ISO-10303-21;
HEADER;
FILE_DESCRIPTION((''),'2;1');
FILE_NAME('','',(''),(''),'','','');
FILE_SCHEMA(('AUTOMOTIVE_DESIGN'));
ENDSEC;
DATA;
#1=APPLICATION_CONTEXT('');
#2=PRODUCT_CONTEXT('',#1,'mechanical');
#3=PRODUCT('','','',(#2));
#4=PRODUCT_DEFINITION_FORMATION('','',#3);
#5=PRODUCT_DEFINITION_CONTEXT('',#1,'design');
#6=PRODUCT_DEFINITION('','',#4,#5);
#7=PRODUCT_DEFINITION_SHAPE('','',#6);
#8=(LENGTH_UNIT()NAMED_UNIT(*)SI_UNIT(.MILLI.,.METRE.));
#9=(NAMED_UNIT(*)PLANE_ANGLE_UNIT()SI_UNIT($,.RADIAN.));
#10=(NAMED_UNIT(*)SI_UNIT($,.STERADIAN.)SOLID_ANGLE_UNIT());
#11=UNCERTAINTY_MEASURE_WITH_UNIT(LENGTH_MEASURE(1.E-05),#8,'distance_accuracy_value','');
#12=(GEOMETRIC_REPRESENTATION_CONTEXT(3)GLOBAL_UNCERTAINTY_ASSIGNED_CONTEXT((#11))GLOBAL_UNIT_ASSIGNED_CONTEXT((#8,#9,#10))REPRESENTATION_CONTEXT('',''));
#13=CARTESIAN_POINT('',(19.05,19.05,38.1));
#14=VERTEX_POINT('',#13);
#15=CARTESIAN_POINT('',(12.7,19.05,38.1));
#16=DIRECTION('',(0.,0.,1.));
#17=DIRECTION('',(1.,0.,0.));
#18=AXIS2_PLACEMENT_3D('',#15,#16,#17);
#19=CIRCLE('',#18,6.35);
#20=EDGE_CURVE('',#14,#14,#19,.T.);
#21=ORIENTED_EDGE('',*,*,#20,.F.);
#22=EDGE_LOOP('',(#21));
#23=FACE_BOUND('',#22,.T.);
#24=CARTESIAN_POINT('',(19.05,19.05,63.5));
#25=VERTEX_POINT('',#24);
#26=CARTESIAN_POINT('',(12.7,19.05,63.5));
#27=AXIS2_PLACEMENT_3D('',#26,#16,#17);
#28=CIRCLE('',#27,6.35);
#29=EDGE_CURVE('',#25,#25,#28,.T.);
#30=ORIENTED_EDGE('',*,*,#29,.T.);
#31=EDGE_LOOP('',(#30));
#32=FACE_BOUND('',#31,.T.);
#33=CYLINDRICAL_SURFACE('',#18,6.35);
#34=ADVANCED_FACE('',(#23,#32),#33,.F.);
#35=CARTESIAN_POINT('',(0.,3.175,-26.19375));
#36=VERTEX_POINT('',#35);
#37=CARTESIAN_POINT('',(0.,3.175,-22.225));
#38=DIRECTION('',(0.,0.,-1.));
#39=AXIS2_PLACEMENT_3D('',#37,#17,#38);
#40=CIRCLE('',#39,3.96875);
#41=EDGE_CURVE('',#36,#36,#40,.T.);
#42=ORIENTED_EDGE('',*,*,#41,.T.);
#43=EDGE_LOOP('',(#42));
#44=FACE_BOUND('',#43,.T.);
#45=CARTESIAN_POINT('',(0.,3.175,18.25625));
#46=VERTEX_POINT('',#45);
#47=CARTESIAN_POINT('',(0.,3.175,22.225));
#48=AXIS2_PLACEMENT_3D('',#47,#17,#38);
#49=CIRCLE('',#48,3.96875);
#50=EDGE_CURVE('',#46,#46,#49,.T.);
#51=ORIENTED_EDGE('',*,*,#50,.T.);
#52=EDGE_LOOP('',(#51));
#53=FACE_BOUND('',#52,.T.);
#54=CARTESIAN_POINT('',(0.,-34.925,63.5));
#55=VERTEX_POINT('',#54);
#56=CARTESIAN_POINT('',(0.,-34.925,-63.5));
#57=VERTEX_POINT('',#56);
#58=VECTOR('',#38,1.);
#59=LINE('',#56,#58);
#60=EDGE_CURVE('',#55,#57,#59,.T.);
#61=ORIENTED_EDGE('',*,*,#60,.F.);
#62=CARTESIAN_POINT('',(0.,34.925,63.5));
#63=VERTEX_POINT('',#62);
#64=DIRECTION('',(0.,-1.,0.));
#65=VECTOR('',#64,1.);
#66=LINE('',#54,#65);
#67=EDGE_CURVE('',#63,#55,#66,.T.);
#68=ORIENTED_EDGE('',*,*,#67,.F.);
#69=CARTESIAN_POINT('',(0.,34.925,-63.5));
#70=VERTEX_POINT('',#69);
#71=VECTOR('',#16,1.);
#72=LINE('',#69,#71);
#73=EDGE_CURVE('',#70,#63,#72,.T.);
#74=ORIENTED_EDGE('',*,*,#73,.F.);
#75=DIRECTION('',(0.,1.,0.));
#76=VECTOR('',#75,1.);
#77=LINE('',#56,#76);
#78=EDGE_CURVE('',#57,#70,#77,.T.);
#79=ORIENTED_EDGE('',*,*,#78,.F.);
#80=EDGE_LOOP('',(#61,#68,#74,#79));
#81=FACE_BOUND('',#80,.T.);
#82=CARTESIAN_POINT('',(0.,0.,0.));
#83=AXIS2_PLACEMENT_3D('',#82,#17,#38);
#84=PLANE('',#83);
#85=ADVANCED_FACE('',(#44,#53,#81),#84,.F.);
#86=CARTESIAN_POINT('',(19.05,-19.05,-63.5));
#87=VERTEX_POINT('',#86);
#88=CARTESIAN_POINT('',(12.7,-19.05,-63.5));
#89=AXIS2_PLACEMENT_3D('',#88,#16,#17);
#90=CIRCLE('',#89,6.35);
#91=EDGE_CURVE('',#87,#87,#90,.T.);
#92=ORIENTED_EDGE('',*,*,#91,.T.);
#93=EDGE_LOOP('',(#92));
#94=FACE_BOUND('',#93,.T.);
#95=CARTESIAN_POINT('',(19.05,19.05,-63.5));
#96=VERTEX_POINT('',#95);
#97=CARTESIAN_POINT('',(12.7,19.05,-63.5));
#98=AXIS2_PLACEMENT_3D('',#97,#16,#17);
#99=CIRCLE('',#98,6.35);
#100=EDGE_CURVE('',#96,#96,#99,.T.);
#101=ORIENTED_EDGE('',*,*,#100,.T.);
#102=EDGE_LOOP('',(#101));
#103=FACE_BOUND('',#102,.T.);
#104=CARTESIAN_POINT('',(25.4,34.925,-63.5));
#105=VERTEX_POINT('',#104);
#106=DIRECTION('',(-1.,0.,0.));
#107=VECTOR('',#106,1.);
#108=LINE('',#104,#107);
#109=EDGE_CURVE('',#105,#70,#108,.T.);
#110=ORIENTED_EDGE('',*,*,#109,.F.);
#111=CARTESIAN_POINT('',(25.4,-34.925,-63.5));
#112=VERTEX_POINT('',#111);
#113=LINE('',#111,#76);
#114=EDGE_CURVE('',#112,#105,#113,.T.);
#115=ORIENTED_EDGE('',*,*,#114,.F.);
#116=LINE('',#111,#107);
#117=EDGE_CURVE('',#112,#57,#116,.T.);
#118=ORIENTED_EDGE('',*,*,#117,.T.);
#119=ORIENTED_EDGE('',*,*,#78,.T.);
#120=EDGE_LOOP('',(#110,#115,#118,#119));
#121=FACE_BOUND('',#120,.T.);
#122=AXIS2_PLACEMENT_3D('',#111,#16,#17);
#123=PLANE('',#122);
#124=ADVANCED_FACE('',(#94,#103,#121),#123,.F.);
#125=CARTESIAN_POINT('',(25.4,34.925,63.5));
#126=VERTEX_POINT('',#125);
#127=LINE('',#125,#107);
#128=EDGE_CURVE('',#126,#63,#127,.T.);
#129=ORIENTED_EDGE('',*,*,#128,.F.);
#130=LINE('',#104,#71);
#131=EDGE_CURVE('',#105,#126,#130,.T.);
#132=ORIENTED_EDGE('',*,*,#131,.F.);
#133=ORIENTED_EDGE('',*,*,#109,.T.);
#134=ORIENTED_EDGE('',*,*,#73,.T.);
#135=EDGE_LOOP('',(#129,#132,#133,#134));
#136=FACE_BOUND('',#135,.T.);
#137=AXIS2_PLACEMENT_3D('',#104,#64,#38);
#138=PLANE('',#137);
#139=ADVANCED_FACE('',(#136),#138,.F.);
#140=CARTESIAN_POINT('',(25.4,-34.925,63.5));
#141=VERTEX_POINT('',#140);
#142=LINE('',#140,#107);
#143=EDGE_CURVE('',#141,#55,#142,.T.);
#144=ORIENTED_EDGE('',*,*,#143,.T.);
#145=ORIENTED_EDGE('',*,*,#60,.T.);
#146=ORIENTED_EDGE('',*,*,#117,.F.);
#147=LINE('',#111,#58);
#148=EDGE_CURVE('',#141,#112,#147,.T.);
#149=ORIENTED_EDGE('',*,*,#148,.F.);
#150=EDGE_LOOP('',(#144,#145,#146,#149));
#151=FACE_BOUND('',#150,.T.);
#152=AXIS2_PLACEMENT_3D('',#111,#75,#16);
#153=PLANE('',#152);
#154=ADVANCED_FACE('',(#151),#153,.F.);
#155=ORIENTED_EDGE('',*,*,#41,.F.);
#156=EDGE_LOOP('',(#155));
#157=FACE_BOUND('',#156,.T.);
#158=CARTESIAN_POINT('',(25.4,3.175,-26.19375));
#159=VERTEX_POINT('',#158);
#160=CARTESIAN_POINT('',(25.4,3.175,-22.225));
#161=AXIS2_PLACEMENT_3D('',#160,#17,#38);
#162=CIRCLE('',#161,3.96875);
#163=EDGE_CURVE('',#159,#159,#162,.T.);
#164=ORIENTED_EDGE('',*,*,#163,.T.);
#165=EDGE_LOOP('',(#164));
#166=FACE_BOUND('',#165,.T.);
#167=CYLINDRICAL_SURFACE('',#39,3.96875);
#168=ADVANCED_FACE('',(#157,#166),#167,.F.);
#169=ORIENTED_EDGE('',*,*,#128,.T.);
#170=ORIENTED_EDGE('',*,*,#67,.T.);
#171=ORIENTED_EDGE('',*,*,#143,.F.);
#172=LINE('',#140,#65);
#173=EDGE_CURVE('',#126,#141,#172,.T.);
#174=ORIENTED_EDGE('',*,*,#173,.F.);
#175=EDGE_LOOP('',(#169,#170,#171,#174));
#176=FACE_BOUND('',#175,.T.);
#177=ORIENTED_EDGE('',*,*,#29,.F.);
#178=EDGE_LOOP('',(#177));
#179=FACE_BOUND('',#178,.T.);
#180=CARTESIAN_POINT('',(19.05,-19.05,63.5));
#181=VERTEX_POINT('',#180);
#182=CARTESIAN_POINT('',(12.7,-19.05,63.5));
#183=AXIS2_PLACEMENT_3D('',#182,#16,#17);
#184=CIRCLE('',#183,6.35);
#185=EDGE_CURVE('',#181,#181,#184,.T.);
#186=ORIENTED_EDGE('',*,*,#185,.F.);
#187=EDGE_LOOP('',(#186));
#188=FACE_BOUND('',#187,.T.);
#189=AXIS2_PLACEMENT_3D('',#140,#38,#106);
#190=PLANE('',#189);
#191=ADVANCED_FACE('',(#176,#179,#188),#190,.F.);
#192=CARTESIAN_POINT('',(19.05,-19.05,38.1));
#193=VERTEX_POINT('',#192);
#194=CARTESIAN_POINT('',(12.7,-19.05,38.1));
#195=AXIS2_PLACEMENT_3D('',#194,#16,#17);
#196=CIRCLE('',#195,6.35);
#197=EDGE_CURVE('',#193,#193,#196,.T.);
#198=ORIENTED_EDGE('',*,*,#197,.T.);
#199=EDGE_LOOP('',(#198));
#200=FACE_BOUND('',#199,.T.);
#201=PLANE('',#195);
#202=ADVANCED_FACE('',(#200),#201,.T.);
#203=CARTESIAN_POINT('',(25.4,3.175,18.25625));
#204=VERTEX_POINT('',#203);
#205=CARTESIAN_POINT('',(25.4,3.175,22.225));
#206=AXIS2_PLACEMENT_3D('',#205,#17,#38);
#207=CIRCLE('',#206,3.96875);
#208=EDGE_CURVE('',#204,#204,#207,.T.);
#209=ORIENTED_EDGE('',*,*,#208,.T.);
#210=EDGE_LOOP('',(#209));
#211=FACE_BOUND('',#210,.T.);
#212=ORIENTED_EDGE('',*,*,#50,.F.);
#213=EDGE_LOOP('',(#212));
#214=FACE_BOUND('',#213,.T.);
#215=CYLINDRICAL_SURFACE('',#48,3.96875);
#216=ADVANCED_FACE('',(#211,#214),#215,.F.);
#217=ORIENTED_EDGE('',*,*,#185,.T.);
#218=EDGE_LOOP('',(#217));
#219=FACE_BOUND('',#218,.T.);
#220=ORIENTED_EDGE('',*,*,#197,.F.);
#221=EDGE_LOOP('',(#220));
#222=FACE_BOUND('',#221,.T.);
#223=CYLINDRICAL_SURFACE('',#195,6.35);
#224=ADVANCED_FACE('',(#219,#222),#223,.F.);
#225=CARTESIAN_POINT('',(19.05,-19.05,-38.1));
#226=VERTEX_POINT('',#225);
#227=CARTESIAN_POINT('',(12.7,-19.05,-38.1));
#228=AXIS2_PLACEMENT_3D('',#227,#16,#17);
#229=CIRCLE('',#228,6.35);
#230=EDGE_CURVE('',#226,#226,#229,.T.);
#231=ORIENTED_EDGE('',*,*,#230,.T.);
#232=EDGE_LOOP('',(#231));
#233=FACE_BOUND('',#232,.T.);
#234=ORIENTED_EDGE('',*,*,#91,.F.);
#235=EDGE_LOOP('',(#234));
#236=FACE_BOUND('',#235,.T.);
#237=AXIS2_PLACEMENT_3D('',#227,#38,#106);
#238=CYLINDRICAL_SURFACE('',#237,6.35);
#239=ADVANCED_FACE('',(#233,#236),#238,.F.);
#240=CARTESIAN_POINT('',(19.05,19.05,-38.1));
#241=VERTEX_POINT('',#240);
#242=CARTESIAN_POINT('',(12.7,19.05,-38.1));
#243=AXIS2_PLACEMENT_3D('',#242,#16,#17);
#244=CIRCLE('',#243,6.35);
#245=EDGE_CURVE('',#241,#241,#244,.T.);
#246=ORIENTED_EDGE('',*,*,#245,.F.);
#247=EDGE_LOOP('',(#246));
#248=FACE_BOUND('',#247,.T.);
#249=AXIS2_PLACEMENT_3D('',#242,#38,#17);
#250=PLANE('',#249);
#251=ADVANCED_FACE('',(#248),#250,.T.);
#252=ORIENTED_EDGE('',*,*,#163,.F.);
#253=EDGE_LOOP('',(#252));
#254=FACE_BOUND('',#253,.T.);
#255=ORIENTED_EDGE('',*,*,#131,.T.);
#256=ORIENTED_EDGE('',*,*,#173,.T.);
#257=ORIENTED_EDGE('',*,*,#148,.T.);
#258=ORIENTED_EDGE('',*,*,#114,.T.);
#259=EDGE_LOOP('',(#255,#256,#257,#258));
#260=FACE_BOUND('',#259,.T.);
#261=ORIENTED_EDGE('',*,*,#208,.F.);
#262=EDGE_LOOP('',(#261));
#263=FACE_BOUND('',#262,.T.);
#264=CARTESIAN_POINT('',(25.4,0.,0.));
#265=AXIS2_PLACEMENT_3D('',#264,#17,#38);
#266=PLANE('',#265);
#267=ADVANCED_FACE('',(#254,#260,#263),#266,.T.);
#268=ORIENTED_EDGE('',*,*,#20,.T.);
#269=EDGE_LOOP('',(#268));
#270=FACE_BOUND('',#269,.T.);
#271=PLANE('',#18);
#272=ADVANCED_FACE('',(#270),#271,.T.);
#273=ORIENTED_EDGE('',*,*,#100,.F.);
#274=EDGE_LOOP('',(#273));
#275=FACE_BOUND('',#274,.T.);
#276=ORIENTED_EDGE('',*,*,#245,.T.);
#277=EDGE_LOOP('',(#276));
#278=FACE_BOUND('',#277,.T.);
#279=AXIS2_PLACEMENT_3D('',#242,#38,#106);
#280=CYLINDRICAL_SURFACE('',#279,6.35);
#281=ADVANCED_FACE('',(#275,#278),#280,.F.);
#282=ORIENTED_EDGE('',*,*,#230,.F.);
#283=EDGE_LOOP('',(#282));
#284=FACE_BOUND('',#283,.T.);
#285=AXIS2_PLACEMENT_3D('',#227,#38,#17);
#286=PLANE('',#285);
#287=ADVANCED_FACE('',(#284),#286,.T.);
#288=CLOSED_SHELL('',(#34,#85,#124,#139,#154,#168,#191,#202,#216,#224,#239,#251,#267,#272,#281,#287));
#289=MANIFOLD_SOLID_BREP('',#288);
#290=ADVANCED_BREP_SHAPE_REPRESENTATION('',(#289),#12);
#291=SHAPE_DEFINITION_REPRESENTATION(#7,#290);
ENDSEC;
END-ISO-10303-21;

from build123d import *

# Parameters (mm, degrees)
SKETCH1_W           = 127
SKETCH1_H           = 69.85
BOSS_EXTRUDE1_DEPTH = 25.4
SKETCH2_R           = 6.35
CUT_EXTRUDE1_DEPTH  = 25.4
SKETCH3_R           = 3.96875
CUT_EXTRUDE2_DEPTH  = 26.4


with BuildPart() as part:
    # Sketch1 → Boss-Extrude1 (new body)
    with BuildSketch(Plane(origin=(0, 0, 0), x_dir=(0, 0, -1), z_dir=(1, 0, 0))):
        Rectangle(SKETCH1_W, SKETCH1_H)
    extrude(amount=BOSS_EXTRUDE1_DEPTH)

    # Sketch2 → Cut-Extrude1 (cut)
    with BuildSketch(Plane.XY.offset(63.5)):
        with Locations((12.7, 19.05)):
            Circle(SKETCH2_R)
        with Locations((12.7, -19.05)):
            Circle(SKETCH2_R)
    cut_extrude1 = extrude(amount=-CUT_EXTRUDE1_DEPTH, mode=Mode.SUBTRACT)

    # Mirror1: Cut-Extrude1 across plane
    add(cut_extrude1.mirror(Plane.XY), mode=Mode.SUBTRACT)

    # Sketch3 → Cut-Extrude2 (cut, through all)
    with BuildSketch(Plane(origin=(25.4, 0, 0), x_dir=(0, 0, -1), z_dir=(1, 0, 0))):
        with Locations((-22.225, 3.175)):
            Circle(SKETCH3_R)
        with Locations((22.225, 3.175)):
            Circle(SKETCH3_R)
    extrude(amount=-CUT_EXTRUDE2_DEPTH, mode=Mode.SUBTRACT)


solid = part.part
